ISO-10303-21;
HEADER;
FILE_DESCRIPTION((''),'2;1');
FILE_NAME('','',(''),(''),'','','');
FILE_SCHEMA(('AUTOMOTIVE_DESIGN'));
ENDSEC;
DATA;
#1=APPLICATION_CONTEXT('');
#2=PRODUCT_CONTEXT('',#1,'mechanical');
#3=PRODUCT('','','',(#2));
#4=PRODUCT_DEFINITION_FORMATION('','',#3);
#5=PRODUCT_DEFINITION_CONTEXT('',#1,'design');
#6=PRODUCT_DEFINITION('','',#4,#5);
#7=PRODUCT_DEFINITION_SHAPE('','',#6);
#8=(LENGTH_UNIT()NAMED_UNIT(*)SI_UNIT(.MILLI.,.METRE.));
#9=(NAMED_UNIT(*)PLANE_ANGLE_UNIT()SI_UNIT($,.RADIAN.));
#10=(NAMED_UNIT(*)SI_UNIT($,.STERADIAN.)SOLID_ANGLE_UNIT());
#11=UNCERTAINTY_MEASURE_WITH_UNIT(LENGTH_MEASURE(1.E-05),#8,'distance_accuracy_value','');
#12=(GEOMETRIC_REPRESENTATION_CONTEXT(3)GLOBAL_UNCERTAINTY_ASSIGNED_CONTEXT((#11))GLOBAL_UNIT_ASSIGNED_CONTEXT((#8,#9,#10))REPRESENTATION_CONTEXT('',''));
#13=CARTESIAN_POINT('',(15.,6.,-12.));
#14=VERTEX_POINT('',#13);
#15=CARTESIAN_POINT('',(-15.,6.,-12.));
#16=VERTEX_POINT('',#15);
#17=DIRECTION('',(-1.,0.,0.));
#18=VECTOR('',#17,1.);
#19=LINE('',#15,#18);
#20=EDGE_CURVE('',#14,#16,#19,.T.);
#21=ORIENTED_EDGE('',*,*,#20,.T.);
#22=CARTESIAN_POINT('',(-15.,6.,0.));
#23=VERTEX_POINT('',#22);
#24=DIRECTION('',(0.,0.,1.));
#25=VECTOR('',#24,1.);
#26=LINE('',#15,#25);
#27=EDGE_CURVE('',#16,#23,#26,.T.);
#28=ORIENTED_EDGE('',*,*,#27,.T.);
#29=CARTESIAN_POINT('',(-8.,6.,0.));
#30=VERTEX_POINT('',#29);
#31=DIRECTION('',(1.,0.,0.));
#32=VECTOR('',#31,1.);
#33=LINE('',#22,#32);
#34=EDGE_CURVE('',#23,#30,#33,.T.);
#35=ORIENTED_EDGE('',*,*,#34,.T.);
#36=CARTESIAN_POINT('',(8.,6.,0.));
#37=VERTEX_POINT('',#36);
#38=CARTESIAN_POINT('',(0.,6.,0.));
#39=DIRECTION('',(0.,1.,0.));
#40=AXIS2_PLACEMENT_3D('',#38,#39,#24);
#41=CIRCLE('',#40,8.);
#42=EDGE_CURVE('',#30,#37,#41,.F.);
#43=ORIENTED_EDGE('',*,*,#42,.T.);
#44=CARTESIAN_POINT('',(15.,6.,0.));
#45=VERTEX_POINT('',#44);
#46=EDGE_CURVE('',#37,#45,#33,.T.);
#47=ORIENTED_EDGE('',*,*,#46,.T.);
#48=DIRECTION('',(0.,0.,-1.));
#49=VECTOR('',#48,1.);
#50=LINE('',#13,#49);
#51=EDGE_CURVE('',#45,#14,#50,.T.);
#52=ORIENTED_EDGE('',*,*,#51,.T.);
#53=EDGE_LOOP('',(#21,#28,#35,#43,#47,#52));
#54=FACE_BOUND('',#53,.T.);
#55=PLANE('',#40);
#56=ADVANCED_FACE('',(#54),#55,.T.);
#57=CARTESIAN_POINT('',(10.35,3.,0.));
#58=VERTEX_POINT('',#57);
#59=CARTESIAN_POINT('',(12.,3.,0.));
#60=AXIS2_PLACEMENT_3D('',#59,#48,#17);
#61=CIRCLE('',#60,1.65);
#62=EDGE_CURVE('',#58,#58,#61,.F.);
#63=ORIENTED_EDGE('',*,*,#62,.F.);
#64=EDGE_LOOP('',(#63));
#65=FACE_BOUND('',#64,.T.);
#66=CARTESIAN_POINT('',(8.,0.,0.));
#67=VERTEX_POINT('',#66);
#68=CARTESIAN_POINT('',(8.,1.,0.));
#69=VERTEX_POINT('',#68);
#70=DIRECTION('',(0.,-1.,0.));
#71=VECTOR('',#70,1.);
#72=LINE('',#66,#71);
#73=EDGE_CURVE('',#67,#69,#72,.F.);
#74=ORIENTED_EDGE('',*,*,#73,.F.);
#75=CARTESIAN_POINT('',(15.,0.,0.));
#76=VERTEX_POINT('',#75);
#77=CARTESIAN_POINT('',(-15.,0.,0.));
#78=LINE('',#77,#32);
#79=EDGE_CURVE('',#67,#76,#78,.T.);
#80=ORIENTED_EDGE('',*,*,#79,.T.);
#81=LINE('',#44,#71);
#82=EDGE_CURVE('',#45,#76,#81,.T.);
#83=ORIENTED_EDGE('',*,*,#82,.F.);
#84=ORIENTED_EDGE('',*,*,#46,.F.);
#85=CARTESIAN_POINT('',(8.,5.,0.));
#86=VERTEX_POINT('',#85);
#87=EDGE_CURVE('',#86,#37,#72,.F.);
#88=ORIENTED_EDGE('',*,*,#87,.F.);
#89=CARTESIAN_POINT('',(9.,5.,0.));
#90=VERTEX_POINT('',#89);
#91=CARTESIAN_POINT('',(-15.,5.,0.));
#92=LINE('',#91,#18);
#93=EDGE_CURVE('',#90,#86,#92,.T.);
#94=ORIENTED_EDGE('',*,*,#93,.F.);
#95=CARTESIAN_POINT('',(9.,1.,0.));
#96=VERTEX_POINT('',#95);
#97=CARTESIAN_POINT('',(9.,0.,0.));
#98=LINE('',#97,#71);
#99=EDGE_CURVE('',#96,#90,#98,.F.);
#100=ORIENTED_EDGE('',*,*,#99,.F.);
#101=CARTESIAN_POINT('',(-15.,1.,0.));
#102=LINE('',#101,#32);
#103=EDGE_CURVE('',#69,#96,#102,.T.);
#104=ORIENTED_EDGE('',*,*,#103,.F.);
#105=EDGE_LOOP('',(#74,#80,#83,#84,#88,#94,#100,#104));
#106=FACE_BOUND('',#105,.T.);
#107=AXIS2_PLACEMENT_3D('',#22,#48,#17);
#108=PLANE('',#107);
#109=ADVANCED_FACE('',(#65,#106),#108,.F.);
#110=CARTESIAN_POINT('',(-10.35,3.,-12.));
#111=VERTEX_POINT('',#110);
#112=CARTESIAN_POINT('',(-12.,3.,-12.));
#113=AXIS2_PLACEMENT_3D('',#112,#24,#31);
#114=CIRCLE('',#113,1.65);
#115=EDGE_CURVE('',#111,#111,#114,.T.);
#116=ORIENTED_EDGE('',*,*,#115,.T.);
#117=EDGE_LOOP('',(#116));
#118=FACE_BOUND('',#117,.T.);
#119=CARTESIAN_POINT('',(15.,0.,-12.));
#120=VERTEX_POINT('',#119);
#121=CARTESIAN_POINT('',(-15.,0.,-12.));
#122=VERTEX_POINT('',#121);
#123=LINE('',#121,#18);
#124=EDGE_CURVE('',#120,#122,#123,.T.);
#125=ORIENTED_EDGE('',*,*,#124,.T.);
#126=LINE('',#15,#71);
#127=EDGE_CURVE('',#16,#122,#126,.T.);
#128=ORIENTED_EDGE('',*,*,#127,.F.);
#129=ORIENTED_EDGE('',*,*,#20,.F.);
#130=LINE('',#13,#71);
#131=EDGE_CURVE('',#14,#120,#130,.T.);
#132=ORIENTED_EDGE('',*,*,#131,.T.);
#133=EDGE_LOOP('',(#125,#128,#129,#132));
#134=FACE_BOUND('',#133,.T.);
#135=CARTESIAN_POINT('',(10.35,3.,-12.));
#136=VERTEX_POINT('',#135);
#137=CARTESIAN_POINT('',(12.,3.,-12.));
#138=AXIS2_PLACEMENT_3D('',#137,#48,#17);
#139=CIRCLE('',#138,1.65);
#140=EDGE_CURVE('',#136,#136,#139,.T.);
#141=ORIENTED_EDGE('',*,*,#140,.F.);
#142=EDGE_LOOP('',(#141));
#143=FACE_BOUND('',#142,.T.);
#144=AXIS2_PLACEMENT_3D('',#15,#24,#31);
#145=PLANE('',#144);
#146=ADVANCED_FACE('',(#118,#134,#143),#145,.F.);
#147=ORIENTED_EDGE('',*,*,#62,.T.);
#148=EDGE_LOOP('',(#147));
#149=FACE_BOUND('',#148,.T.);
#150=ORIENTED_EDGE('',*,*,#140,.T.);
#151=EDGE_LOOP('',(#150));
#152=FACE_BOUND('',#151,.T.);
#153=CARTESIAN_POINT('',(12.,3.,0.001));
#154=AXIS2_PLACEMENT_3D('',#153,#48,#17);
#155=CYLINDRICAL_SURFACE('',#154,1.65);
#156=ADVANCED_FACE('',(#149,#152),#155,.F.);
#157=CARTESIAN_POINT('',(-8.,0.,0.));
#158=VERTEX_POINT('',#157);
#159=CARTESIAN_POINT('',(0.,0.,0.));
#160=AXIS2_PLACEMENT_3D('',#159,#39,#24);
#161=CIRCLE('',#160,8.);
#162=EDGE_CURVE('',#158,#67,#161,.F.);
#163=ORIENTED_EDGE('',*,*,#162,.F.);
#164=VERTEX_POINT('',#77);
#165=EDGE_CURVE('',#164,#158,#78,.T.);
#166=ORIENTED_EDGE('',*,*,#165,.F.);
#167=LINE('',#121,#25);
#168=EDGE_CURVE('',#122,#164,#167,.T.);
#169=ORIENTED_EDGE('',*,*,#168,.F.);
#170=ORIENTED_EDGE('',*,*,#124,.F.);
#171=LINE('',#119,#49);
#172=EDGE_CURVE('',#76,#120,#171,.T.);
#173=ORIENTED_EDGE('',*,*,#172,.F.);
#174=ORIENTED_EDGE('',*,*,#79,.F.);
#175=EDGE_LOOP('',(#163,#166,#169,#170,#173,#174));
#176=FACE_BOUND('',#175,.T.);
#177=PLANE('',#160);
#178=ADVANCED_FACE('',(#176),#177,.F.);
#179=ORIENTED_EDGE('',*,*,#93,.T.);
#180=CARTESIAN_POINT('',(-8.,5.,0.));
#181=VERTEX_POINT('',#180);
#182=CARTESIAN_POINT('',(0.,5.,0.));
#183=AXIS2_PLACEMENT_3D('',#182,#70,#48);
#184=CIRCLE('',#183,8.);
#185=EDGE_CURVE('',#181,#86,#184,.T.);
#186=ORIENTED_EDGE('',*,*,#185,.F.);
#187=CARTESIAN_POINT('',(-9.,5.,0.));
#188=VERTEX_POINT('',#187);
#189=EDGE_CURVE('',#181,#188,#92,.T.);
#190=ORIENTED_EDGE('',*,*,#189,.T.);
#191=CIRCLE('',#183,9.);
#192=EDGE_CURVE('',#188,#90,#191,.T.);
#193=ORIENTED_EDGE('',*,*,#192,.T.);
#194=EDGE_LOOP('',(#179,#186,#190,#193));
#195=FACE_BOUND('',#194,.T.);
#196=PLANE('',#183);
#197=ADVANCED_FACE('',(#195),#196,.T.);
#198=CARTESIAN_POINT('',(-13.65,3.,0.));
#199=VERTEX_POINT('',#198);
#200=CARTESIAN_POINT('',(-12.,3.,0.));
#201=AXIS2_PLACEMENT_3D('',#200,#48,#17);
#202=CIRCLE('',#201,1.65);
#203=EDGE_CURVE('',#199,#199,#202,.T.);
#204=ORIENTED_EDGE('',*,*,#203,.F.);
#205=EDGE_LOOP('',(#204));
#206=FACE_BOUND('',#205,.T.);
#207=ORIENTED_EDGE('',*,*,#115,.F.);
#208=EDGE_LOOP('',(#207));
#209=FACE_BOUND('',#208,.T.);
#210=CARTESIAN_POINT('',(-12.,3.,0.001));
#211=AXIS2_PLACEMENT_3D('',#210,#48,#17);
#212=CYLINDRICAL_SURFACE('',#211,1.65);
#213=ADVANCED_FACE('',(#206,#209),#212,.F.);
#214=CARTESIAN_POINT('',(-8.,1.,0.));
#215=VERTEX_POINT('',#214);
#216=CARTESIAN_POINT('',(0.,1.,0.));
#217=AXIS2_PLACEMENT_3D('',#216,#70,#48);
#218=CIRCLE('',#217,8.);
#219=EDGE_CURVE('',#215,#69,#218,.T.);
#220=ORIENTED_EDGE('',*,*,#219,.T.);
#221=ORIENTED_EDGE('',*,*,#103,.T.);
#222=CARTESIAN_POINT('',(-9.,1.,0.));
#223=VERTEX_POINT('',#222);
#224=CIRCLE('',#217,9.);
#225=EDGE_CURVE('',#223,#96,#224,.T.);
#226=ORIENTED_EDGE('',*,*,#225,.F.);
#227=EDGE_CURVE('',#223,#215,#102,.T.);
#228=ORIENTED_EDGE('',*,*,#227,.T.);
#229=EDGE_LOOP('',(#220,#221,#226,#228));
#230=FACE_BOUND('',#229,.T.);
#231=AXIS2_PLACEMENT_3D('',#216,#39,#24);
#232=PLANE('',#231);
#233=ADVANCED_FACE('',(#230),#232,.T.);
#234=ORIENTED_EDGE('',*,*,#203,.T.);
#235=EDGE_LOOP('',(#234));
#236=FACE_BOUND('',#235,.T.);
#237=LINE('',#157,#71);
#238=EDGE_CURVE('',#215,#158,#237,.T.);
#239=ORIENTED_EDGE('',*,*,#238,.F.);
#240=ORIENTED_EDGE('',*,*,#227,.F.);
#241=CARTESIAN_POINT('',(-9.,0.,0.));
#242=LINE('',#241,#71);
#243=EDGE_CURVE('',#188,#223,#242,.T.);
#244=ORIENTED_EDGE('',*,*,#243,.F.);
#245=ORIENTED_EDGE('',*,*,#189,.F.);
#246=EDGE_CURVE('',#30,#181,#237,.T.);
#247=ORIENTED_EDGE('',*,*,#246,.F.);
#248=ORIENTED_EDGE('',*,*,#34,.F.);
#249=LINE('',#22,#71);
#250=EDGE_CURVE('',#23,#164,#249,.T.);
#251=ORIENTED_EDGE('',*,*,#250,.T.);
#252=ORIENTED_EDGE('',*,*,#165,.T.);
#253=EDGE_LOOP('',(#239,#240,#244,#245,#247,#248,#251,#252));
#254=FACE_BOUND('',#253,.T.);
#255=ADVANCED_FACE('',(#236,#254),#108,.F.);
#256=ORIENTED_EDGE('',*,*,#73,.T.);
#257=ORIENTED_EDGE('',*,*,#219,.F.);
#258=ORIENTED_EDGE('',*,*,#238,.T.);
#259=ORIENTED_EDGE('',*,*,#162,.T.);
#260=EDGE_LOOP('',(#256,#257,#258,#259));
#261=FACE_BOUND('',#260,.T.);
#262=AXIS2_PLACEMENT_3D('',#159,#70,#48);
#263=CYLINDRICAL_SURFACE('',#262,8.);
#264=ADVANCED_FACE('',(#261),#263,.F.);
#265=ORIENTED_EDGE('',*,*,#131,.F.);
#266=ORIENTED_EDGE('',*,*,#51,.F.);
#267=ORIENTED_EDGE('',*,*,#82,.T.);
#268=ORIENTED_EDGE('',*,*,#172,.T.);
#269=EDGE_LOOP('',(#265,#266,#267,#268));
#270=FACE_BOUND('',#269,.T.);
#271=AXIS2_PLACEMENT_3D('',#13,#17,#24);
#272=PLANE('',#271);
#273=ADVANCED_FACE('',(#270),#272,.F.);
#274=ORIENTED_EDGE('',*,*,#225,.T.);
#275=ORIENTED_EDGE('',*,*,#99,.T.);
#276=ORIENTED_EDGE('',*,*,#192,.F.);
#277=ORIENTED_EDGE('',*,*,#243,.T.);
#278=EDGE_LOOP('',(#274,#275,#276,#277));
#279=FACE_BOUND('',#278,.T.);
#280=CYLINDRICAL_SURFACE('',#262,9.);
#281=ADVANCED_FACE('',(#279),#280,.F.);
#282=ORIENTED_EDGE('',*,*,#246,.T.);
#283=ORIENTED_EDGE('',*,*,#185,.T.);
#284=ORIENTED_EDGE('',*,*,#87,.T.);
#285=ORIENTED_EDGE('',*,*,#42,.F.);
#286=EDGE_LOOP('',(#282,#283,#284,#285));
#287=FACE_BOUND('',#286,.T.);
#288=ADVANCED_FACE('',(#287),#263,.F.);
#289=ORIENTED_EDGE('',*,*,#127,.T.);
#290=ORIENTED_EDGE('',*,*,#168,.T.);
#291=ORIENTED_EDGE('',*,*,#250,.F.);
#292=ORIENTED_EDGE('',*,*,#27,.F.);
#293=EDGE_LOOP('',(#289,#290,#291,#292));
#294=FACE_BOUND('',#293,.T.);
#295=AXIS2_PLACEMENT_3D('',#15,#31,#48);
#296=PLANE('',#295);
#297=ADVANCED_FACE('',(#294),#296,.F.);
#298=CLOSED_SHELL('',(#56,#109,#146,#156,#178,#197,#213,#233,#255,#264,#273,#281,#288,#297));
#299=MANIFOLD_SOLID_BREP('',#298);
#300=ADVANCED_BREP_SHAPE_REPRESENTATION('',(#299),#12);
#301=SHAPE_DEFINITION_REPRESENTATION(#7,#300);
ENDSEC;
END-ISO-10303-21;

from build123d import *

# Parameters (mm, degrees)
SKETCH_1_W          = 30
SKETCH_1_H          = 12
EXTRUDE_1_DEPTH     = 6
CUT_EXTRUDE_2_REACH = 22.125
SKETCH_4_R          = 1.65


with BuildPart() as part:
    # 草图1 → 凸台-拉伸1 (new body)
    with BuildSketch(Plane(origin=(0, 0, 0), x_dir=(1, 0, 0), z_dir=(0, 1, 0))):
        with Locations((0, 6)):
            Rectangle(SKETCH_1_W, SKETCH_1_H)
    extrude(amount=EXTRUDE_1_DEPTH)

    # 草图2 → 切除-旋转1 (revolve, cut)
    with BuildSketch(Plane.XY):
        Polygon((-8, 0), (0, 0), (0, 3), (-9, 3), (-9, 1), (-8, 1), align=None)
        Polygon((-9, 3), (0, 3), (0, 6), (-8, 6), (-8, 5), (-9, 5), align=None)
    revolve(axis=Axis((0, 0, 0), (0, 1, 0)), mode=Mode.SUBTRACT)

    # 草图4 → 切除-拉伸2 (cut, up to next)
    with BuildSketch(Plane(origin=(0, 0, -12), x_dir=(-1, 0, 0), z_dir=(0, 0, -1)), mode=Mode.PRIVATE) as cut_extrude_2_sk1:
        with Locations((-12, 3)):
            Circle(SKETCH_4_R)
    cut_extrude_2_tool1 = extrude(cut_extrude_2_sk1.sketch, amount=-CUT_EXTRUDE_2_REACH, mode=Mode.PRIVATE) & part.part
    cut_extrude_2 = cut_extrude_2_tool1.solids().sort_by_distance((12, 3, -12))[0]
    add(cut_extrude_2, mode=Mode.SUBTRACT)

    # 镜向1: 切除-拉伸2 across plane
    add(cut_extrude_2.mirror(Plane(origin=(0, 0, 0), x_dir=(0, 0, 1), z_dir=(1, 0, 0))), mode=Mode.SUBTRACT)


solid = part.part
